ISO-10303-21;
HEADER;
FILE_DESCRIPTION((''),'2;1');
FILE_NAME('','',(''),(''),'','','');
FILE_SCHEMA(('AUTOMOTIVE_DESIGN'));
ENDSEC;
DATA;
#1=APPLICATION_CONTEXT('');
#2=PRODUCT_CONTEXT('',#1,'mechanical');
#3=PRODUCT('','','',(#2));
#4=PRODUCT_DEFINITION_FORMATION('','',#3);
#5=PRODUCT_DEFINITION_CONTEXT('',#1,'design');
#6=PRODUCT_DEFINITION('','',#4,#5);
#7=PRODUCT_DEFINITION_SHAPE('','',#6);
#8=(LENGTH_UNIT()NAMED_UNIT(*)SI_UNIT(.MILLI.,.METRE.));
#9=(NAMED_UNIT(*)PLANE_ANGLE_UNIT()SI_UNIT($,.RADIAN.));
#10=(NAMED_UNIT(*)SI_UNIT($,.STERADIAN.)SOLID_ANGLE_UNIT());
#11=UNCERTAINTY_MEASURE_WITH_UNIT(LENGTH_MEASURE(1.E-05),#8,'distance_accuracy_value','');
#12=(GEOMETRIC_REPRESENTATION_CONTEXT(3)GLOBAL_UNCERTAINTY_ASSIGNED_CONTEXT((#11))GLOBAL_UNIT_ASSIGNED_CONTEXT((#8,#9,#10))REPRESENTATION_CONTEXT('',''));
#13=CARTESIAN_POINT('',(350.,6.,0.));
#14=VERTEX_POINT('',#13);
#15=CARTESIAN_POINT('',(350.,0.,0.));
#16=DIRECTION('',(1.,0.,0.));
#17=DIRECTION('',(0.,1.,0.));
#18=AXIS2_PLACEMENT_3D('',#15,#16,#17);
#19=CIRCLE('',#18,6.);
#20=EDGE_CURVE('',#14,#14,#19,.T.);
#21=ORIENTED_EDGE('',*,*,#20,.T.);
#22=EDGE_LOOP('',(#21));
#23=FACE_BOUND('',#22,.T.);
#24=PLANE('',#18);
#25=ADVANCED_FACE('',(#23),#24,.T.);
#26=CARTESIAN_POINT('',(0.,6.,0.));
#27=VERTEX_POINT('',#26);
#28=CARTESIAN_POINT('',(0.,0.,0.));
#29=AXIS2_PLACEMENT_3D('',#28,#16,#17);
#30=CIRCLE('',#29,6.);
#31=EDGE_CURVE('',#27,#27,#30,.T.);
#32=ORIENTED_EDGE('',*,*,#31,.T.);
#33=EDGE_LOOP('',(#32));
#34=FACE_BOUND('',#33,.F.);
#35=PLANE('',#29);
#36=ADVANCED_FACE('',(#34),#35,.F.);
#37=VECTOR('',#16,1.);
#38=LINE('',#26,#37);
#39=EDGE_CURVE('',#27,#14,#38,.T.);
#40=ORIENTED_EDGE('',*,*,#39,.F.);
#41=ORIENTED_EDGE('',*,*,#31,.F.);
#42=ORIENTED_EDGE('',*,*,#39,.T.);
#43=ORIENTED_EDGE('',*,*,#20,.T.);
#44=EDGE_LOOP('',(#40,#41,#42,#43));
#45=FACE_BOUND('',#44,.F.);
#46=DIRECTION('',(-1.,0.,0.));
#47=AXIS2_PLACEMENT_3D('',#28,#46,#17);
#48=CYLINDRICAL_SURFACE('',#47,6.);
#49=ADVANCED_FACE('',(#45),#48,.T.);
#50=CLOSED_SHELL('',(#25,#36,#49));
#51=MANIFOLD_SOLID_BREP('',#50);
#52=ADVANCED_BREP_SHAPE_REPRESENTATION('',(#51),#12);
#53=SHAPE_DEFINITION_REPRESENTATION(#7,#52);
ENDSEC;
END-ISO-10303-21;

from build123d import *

# Parameters (mm, degrees)
SKETCH_R  = 6
PAD_DEPTH = 350


with BuildPart() as part:
    # Sketch → Pad (new body)
    with BuildSketch(Plane.YZ):
        Circle(SKETCH_R)
    extrude(amount=PAD_DEPTH)


solid = part.part
